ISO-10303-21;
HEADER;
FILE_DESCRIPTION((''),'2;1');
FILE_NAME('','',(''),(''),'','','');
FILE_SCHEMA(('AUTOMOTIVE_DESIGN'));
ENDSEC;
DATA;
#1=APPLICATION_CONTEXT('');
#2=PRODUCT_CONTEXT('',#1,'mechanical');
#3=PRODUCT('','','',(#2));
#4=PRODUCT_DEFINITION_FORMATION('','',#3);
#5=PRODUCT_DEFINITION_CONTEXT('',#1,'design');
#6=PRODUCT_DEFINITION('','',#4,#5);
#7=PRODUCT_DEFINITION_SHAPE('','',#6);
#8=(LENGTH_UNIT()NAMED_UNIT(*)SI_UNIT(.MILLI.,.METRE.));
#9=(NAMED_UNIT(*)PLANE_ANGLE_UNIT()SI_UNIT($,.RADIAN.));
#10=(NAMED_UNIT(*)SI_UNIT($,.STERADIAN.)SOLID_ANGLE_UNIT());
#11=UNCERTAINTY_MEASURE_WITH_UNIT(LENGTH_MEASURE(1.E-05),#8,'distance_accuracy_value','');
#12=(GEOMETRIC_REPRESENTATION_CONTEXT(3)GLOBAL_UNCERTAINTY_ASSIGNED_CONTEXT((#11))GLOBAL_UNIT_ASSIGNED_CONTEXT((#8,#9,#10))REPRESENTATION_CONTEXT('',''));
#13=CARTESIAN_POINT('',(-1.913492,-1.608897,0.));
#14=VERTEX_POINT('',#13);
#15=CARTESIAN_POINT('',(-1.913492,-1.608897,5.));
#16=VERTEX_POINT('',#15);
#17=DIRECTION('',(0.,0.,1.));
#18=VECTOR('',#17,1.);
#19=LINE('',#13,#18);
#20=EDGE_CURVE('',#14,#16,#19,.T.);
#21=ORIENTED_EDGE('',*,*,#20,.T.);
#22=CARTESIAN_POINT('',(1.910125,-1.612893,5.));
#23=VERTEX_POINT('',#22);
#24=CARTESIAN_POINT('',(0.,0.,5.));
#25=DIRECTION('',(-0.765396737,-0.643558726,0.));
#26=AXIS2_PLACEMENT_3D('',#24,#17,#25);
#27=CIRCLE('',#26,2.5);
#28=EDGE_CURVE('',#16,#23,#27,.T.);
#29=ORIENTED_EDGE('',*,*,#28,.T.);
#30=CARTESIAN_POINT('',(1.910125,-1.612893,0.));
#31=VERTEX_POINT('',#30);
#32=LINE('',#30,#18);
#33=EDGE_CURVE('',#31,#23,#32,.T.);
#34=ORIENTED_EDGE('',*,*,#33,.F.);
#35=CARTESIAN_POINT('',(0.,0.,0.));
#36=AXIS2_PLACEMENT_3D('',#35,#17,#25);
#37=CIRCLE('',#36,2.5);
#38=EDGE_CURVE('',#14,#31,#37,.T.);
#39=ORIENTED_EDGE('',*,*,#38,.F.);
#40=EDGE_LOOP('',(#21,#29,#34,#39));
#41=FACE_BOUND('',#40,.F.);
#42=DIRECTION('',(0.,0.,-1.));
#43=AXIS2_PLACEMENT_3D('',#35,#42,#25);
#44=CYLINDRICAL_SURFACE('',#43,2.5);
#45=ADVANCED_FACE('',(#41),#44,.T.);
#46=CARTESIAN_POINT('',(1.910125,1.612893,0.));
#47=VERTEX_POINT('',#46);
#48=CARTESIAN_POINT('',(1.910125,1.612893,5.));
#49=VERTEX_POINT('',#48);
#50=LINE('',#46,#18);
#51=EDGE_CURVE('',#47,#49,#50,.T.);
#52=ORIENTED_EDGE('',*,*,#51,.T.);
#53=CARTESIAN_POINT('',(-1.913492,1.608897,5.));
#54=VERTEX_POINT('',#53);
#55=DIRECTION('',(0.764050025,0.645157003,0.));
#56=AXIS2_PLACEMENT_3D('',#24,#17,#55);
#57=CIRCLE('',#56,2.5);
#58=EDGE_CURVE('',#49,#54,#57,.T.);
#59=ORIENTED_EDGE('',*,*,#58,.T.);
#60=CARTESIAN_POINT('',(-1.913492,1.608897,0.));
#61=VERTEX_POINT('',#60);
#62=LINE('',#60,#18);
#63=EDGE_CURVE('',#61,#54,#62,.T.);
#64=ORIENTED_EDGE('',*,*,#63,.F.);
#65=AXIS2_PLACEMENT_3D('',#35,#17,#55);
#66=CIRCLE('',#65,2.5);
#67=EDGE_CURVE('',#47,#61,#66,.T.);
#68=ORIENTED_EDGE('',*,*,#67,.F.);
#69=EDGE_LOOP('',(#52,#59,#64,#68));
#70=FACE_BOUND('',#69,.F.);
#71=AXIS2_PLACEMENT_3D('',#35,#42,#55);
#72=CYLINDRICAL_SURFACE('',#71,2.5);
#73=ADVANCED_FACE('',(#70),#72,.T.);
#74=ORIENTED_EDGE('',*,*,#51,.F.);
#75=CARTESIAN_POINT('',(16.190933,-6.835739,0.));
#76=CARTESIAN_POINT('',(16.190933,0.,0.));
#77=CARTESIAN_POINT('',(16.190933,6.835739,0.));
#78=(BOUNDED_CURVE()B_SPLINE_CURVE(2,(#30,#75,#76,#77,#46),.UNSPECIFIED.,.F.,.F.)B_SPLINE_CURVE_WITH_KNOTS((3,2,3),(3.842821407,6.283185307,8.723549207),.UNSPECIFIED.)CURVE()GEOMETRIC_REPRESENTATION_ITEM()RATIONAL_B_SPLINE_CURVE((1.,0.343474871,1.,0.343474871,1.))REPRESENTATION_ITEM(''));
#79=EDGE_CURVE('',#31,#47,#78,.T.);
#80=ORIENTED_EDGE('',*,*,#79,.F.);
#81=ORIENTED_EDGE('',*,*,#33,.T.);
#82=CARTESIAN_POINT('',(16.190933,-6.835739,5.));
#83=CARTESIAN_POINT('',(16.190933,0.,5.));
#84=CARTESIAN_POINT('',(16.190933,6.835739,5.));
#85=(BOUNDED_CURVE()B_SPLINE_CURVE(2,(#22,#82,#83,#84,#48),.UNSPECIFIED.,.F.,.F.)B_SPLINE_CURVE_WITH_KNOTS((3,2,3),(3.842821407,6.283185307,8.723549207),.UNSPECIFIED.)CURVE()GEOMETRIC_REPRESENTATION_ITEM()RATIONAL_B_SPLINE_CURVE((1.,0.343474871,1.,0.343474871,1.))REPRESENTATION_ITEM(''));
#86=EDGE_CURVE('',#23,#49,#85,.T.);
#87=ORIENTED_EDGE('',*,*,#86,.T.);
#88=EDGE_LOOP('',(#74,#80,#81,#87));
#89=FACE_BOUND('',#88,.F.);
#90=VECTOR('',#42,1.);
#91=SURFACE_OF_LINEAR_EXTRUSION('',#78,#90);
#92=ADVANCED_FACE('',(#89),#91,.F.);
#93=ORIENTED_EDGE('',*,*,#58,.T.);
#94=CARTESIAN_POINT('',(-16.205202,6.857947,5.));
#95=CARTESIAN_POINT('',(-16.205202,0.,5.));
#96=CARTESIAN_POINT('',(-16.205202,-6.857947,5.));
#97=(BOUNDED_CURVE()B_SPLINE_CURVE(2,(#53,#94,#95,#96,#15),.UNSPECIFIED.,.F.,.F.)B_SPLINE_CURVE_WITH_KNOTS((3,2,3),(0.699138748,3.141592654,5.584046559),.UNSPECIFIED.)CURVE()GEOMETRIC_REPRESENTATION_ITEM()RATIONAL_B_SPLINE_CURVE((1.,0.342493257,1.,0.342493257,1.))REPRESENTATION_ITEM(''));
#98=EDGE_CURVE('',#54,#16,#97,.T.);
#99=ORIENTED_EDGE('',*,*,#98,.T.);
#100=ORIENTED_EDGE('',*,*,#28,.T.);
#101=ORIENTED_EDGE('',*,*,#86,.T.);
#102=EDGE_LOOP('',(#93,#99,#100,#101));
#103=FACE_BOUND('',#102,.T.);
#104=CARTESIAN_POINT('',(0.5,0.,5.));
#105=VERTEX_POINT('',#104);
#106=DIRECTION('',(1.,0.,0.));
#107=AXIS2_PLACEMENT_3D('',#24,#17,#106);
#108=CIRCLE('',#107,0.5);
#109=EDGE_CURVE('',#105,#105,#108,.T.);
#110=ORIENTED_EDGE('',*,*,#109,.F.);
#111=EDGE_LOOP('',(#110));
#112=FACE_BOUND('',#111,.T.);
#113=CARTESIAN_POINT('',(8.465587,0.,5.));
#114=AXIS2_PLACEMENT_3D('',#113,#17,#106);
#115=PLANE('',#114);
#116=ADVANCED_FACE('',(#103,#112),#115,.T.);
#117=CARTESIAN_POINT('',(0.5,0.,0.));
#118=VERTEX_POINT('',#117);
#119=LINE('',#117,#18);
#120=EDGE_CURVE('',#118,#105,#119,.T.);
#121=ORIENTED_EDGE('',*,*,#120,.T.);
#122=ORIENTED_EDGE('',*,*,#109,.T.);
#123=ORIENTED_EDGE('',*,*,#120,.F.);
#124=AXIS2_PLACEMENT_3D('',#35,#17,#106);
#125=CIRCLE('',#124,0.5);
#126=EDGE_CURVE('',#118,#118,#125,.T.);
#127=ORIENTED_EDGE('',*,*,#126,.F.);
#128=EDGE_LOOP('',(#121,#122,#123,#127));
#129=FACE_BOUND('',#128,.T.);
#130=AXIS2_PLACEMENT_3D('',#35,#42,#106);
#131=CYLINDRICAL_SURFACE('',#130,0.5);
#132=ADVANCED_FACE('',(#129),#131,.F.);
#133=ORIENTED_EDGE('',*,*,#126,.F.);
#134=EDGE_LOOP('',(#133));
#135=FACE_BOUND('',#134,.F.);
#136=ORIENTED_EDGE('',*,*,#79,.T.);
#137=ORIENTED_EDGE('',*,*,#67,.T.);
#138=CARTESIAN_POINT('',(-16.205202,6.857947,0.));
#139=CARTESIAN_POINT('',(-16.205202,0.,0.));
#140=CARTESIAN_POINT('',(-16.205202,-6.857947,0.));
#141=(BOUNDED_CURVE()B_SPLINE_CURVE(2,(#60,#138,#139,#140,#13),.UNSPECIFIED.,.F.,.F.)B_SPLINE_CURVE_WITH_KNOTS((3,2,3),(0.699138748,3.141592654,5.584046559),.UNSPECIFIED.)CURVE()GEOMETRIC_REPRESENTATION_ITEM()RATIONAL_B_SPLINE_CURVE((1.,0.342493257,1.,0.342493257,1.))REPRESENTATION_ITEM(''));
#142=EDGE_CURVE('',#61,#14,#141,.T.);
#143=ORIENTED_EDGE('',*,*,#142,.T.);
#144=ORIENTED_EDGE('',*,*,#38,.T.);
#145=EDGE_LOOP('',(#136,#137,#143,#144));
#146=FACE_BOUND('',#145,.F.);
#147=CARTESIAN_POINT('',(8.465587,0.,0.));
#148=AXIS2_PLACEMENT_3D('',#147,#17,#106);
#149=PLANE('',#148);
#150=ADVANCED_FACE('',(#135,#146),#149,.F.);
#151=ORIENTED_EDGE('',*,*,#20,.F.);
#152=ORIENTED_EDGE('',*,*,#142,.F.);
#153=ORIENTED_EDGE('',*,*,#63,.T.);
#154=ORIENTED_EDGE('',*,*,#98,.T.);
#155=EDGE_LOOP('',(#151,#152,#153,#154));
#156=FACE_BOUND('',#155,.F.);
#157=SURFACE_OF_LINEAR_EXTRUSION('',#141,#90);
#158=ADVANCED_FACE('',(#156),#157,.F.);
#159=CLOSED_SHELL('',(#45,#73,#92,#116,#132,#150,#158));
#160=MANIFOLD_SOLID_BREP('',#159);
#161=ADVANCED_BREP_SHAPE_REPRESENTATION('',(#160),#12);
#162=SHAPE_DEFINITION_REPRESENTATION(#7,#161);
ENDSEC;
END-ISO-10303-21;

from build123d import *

# Parameters (mm, degrees)
F0_R     = 0.5
F1_DEPTH = 5


with BuildPart() as f1:
    # F0 (on Top) → F1 (new body)
    with BuildSketch(Plane.XY):
        with BuildLine():
            ThreePointArc((2.5, 0), (2.3479046679, -0.8586871784), (1.9101250637, -1.6128925076))
            add(Edge.make_bspline(
                [(1.9101250637, -1.6128925076), (16.1909325691, -6.835739274), (16.1909325691, 0), (16.1909325691, 6.835739274), (1.9101250637, 1.6128925076)],
                knots=[3.8428214069, 3.8428214069, 3.8428214069, 6.2831853072, 6.2831853072, 8.7235492074, 8.7235492074, 8.7235492074], degree=2, weights=[1, 0.3434748714, 1, 0.3434748714, 1]))
            ThreePointArc((1.9101250637, 1.6128925076), (2.3479046679, 0.8586871784), (2.5, 0))
        make_face()
        with BuildLine():
            ThreePointArc((-1.9134918434, -1.6088968162), (-0.0026125062, -2.499998635), (1.9101250637, -1.6128925076))
            ThreePointArc((1.9101250637, -1.6128925076), (2.3479046679, -0.8586871784), (2.5, 0))
            ThreePointArc((2.5, 0), (2.3479046679, 0.8586871784), (1.9101250637, 1.6128925076))
            ThreePointArc((1.9101250637, 1.6128925076), (-0.0026125062, 2.499998635), (-1.9134918434, 1.6088968162))
            ThreePointArc((-1.9134918434, 1.6088968162), (-2.5, 0), (-1.9134918434, -1.6088968162))
        make_face()
        Circle(F0_R, mode=Mode.SUBTRACT)
        with BuildLine():
            add(Edge.make_bspline(
                [(-1.9134918434, 1.6088968162), (-16.2052016095, 6.8579473197), (-16.2052016095, 0), (-16.2052016095, -6.8579473197), (-1.9134918434, -1.6088968162)],
                knots=[0.6991387479, 0.6991387479, 0.6991387479, 3.1415926536, 3.1415926536, 5.5840465592, 5.5840465592, 5.5840465592], degree=2, weights=[1, 0.3424932573, 1, 0.3424932573, 1]))
            ThreePointArc((-1.9134918434, -1.6088968162), (-2.5, 0), (-1.9134918434, 1.6088968162))
        make_face()
    extrude(amount=F1_DEPTH)


solid = f1.part
